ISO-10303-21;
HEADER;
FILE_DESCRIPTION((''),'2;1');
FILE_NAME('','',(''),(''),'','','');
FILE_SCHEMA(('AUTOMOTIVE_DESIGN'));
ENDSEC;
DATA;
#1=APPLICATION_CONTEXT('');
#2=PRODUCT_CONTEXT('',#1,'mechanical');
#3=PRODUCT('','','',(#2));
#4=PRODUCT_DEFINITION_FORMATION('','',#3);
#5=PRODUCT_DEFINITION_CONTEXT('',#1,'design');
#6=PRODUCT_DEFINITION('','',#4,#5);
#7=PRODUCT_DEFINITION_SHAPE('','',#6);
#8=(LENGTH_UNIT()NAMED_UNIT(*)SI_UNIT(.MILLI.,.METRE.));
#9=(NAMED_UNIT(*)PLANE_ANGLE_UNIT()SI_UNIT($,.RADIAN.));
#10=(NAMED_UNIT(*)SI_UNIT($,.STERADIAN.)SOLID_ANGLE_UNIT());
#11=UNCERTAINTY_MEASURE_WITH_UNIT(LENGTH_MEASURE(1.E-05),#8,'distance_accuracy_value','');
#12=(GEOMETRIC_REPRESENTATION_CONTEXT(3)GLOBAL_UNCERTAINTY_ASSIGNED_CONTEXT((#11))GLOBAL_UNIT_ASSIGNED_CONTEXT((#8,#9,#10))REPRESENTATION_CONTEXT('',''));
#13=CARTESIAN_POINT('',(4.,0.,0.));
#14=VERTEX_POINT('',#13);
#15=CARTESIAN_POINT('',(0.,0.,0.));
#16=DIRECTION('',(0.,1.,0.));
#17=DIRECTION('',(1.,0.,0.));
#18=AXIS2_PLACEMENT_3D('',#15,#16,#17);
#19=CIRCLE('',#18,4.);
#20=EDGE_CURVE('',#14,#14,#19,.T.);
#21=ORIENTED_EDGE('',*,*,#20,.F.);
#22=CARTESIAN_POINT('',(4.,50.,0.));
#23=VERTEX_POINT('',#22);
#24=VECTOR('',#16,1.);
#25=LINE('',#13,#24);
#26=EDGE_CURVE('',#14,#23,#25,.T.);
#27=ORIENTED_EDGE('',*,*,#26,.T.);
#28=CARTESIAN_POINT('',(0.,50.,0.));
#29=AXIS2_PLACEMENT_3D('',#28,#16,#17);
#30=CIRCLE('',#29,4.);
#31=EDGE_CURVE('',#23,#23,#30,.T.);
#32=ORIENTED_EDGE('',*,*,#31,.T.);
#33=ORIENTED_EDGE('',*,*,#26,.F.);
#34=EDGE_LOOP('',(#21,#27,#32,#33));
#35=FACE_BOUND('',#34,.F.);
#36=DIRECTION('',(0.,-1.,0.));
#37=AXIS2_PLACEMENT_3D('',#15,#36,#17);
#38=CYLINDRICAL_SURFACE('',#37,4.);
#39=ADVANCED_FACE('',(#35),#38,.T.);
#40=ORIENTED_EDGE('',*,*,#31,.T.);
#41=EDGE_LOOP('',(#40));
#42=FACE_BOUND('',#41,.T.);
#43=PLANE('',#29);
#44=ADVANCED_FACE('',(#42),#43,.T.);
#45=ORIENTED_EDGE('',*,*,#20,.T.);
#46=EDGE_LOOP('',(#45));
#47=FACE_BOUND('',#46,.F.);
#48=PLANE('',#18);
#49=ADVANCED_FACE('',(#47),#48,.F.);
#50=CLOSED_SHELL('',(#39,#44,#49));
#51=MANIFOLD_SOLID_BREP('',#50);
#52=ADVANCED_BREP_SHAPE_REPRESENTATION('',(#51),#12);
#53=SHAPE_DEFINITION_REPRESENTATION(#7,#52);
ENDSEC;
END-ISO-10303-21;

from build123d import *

# Parameters (mm, degrees)
CROQUIS1_R              = 4
SALIENTE_EXTRUIR1_DEPTH = 50


with BuildPart() as part:
    # Croquis1 → Saliente-Extruir1 (new body)
    with BuildSketch(Plane(origin=(0, 0, 0), x_dir=(1, 0, 0), z_dir=(0, 1, 0))):
        Circle(CROQUIS1_R)
    extrude(amount=SALIENTE_EXTRUIR1_DEPTH)


solid = part.part
